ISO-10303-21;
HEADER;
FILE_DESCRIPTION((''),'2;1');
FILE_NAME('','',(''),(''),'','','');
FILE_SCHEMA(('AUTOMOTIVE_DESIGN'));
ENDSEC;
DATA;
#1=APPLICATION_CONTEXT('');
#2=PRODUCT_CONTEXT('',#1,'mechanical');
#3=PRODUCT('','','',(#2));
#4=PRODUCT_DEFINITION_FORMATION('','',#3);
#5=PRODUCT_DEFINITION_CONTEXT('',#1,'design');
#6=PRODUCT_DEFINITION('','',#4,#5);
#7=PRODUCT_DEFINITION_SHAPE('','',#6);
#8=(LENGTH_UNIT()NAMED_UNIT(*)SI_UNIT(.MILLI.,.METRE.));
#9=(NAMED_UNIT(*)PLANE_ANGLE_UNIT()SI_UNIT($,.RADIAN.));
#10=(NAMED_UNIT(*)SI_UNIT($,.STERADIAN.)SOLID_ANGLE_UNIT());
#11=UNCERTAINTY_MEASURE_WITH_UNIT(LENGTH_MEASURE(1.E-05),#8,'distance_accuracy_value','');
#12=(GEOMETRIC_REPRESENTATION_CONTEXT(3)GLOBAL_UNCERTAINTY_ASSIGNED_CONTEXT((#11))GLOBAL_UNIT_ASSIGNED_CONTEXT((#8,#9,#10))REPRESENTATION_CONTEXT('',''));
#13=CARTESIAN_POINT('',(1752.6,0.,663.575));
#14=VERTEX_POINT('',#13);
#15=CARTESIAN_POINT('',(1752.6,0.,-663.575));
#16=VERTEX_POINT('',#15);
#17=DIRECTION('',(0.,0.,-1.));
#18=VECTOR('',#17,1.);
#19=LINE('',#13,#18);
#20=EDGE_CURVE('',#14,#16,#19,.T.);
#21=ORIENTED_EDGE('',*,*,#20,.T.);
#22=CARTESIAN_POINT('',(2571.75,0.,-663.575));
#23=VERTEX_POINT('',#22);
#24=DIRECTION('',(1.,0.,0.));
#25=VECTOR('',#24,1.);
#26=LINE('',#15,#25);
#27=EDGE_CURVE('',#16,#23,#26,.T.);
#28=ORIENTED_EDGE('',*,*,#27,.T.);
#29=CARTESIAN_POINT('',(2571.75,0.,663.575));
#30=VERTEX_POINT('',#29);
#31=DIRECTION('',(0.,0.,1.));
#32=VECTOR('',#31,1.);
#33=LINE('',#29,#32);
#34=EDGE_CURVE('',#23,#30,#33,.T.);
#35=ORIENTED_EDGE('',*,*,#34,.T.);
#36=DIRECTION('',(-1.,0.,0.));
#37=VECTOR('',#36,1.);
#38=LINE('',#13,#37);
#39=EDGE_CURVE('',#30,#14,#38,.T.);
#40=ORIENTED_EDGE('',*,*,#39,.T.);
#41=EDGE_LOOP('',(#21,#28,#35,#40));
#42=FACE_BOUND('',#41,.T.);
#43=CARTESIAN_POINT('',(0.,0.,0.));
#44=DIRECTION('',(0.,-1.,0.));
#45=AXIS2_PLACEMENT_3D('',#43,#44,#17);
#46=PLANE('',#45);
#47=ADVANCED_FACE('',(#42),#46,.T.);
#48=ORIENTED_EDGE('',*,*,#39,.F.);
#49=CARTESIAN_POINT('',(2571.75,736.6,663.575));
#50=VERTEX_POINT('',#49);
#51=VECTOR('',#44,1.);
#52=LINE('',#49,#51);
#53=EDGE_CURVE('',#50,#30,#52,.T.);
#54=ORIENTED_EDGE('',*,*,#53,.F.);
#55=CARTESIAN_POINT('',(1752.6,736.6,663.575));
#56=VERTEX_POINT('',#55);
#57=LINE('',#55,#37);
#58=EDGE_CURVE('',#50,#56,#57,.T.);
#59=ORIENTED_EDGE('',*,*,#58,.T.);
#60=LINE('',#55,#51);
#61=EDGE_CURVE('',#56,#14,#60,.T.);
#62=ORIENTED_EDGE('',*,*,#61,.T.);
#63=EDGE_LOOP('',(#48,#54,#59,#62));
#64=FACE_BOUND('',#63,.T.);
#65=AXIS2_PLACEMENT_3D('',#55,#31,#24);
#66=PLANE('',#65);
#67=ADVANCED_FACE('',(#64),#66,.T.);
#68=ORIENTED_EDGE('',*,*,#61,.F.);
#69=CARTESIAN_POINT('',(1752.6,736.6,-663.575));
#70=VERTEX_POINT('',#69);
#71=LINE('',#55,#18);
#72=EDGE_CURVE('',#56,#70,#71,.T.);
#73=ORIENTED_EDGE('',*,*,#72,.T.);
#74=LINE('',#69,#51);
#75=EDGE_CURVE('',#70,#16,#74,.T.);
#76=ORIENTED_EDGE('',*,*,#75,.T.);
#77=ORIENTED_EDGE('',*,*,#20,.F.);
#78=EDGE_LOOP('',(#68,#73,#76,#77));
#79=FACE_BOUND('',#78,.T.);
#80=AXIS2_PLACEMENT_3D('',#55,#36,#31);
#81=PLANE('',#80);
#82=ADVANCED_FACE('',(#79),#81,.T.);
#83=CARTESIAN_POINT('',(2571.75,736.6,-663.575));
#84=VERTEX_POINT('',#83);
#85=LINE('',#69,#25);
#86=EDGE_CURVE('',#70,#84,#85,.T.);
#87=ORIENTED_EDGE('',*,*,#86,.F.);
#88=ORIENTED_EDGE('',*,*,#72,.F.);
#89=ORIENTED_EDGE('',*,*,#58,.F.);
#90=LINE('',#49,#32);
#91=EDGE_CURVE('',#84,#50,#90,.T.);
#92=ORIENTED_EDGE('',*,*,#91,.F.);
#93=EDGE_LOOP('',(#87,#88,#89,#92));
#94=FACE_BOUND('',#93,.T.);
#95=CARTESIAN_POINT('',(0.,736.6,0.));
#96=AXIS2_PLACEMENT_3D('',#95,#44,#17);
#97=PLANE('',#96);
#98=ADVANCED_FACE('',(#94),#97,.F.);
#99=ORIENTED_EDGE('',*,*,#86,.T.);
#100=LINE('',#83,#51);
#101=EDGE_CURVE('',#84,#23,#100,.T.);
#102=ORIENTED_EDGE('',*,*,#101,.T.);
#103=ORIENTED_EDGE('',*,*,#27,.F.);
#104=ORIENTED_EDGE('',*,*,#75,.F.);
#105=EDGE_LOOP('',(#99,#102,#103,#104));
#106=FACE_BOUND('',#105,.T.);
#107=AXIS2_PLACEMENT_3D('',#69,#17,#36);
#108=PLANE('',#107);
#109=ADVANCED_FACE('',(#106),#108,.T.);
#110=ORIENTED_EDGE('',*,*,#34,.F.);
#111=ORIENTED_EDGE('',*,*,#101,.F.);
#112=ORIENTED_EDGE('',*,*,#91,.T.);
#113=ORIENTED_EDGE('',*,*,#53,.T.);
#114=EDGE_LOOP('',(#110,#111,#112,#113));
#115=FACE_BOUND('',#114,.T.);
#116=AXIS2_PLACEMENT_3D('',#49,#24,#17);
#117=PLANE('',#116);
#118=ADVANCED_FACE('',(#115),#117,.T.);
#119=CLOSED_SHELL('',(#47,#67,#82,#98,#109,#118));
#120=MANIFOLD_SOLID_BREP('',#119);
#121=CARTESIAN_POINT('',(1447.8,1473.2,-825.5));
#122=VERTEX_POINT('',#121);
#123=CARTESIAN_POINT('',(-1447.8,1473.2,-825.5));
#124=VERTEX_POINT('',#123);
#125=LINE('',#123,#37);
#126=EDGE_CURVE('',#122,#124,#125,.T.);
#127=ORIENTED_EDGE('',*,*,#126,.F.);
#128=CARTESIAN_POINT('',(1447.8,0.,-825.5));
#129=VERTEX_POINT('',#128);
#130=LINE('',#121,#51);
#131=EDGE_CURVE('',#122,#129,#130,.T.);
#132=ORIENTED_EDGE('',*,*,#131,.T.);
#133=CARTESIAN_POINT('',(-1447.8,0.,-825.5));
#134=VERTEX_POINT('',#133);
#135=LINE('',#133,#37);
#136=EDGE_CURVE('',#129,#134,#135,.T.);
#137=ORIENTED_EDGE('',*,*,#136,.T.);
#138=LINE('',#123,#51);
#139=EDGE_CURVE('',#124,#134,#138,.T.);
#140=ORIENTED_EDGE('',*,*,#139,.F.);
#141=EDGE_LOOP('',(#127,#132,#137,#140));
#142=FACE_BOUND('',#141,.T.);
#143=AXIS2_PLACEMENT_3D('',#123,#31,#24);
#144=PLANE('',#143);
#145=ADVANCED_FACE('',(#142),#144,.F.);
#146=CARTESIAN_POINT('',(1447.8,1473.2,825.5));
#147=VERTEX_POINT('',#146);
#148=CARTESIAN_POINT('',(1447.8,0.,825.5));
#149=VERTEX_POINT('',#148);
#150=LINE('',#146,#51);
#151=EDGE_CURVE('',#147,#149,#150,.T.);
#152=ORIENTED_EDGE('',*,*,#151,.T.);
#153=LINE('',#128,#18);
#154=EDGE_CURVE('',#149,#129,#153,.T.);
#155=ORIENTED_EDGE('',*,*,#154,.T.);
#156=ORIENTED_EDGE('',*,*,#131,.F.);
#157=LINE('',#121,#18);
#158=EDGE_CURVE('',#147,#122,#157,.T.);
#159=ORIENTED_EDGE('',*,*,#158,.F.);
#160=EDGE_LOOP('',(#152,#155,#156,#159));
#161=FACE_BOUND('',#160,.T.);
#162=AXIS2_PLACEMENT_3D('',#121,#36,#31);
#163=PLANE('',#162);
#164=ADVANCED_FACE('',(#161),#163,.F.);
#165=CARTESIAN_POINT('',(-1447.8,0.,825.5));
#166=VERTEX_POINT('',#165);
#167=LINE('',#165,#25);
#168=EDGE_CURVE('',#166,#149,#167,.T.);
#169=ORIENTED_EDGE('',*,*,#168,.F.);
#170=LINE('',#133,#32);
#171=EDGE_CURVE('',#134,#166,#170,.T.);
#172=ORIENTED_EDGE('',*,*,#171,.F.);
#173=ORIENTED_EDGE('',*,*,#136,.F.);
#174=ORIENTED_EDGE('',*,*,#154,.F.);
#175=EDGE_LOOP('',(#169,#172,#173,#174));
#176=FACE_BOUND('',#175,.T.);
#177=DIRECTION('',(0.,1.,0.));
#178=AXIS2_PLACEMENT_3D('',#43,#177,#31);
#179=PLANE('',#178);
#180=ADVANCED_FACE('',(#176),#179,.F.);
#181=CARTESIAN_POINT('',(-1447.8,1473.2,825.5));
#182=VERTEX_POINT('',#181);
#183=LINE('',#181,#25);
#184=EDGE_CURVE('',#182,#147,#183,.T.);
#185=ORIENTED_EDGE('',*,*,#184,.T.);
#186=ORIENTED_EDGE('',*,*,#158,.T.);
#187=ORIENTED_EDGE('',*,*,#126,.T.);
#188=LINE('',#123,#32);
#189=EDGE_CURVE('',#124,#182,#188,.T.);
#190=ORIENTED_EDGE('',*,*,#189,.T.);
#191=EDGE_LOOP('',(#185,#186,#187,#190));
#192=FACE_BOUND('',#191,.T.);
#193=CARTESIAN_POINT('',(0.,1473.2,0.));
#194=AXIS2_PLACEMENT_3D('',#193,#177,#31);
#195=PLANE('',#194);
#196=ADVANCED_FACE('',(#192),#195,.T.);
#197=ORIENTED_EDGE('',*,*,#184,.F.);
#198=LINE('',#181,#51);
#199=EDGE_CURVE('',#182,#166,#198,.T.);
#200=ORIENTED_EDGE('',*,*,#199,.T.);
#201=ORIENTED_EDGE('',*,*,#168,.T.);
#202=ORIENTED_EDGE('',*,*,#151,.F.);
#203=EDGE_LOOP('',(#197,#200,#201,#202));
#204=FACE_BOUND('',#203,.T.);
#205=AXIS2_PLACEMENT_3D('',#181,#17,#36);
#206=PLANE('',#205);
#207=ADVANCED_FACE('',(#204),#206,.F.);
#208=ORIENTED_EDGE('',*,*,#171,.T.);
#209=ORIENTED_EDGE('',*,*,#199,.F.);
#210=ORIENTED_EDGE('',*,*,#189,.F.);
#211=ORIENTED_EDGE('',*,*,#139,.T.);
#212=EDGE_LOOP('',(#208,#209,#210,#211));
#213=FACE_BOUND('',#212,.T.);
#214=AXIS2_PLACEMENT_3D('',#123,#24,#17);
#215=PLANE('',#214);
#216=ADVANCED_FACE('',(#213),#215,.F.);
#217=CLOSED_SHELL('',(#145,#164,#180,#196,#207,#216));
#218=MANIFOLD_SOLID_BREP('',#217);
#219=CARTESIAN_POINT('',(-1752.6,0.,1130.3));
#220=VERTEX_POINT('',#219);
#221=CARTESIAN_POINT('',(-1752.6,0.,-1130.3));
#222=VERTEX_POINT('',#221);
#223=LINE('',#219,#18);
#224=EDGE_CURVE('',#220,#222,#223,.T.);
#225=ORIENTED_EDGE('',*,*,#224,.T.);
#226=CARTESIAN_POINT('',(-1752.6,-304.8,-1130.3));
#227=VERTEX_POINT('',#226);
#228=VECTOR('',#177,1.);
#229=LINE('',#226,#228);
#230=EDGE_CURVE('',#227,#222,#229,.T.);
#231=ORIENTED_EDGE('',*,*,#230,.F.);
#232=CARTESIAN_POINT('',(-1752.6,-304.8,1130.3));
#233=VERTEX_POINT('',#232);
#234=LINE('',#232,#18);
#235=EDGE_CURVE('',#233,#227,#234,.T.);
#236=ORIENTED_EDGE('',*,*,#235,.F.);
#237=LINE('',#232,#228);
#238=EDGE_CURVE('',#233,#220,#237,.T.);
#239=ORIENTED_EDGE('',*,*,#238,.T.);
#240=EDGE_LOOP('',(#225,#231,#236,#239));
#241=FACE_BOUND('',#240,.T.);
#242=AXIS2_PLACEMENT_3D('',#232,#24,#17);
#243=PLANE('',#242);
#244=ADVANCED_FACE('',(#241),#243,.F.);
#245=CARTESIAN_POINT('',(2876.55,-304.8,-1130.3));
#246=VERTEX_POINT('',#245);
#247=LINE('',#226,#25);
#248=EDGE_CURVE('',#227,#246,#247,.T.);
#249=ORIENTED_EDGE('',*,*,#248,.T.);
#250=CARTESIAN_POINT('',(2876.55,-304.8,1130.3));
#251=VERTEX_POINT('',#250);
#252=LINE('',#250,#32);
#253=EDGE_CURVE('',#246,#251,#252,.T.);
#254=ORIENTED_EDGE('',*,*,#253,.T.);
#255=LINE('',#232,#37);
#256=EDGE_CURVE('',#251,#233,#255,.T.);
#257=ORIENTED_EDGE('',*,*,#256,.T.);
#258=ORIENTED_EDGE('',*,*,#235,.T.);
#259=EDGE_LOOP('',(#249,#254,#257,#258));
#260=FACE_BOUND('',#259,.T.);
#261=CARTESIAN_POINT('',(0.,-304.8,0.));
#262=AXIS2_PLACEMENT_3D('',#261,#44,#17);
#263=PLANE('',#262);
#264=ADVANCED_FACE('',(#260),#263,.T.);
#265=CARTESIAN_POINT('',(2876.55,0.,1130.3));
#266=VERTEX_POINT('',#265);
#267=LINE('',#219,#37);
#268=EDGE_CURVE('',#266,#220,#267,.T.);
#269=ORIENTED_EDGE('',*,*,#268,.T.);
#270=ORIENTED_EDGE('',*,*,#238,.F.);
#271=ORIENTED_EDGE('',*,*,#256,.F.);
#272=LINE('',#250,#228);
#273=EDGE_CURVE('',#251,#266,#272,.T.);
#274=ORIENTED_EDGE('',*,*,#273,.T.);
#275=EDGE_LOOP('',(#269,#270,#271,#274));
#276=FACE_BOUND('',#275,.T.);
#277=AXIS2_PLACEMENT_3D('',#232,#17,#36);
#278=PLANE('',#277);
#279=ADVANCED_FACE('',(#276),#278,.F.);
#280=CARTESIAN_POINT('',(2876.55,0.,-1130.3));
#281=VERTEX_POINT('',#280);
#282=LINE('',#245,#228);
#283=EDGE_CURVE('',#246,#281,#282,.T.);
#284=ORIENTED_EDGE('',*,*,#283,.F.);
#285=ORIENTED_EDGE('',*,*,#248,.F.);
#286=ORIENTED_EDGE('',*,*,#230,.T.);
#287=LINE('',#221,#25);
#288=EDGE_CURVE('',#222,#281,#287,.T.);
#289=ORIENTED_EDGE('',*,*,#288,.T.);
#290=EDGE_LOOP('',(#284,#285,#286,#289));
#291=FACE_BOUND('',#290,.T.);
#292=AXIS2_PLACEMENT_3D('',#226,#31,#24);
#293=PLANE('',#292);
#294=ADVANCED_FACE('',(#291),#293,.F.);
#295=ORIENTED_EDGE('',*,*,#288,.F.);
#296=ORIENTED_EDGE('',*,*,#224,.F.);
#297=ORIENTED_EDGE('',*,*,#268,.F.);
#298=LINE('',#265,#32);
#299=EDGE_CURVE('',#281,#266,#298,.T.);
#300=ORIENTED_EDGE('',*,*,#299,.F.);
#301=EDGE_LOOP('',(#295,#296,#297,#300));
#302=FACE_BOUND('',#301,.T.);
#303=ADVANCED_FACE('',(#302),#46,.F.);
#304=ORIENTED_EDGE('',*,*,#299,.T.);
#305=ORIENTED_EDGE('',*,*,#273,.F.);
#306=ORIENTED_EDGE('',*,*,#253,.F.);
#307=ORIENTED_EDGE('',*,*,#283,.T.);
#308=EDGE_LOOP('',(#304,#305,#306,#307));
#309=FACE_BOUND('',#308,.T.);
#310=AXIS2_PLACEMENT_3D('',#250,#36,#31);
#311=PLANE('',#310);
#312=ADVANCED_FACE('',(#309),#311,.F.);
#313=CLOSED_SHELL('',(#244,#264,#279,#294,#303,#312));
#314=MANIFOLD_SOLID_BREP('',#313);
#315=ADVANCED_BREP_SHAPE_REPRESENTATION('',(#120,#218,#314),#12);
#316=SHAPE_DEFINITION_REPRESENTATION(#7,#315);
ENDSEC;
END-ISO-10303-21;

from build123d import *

# Parameters (mm, degrees)
SKETCH1_W           = 2895.6
SKETCH1_H           = 1651
BOSS_EXTRUDE1_DEPTH = 1473.2
SKETCH2_W           = 819.15
SKETCH2_H           = 1327.15
BOSS_EXTRUDE2_DEPTH = 736.6
SKETCH3_W           = 4629.15
SKETCH3_H           = 2260.6
BOSS_EXTRUDE3_DEPTH = 304.8


with BuildPart() as part:
    # Sketch1 → Boss-Extrude1 (new body)
    with BuildSketch(Plane(origin=(0, 0, 0), x_dir=(1, 0, 0), z_dir=(0, 1, 0))):
        Rectangle(SKETCH1_W, SKETCH1_H)
    extrude(amount=BOSS_EXTRUDE1_DEPTH)


with BuildPart() as body_2:
    # Sketch2 → Boss-Extrude2 (new body)
    with BuildSketch(Plane.XZ):
        with Locations((2162.175, 0)):
            Rectangle(SKETCH2_W, SKETCH2_H)
    extrude(amount=-BOSS_EXTRUDE2_DEPTH)


with BuildPart() as body_3:
    # Sketch3 → Boss-Extrude3 (new body)
    with BuildSketch(Plane.XZ):
        with Locations((561.975, 0)):
            Rectangle(SKETCH3_W, SKETCH3_H)
    extrude(amount=BOSS_EXTRUDE3_DEPTH)


solid = Compound([part.part, body_2.part, body_3.part])
